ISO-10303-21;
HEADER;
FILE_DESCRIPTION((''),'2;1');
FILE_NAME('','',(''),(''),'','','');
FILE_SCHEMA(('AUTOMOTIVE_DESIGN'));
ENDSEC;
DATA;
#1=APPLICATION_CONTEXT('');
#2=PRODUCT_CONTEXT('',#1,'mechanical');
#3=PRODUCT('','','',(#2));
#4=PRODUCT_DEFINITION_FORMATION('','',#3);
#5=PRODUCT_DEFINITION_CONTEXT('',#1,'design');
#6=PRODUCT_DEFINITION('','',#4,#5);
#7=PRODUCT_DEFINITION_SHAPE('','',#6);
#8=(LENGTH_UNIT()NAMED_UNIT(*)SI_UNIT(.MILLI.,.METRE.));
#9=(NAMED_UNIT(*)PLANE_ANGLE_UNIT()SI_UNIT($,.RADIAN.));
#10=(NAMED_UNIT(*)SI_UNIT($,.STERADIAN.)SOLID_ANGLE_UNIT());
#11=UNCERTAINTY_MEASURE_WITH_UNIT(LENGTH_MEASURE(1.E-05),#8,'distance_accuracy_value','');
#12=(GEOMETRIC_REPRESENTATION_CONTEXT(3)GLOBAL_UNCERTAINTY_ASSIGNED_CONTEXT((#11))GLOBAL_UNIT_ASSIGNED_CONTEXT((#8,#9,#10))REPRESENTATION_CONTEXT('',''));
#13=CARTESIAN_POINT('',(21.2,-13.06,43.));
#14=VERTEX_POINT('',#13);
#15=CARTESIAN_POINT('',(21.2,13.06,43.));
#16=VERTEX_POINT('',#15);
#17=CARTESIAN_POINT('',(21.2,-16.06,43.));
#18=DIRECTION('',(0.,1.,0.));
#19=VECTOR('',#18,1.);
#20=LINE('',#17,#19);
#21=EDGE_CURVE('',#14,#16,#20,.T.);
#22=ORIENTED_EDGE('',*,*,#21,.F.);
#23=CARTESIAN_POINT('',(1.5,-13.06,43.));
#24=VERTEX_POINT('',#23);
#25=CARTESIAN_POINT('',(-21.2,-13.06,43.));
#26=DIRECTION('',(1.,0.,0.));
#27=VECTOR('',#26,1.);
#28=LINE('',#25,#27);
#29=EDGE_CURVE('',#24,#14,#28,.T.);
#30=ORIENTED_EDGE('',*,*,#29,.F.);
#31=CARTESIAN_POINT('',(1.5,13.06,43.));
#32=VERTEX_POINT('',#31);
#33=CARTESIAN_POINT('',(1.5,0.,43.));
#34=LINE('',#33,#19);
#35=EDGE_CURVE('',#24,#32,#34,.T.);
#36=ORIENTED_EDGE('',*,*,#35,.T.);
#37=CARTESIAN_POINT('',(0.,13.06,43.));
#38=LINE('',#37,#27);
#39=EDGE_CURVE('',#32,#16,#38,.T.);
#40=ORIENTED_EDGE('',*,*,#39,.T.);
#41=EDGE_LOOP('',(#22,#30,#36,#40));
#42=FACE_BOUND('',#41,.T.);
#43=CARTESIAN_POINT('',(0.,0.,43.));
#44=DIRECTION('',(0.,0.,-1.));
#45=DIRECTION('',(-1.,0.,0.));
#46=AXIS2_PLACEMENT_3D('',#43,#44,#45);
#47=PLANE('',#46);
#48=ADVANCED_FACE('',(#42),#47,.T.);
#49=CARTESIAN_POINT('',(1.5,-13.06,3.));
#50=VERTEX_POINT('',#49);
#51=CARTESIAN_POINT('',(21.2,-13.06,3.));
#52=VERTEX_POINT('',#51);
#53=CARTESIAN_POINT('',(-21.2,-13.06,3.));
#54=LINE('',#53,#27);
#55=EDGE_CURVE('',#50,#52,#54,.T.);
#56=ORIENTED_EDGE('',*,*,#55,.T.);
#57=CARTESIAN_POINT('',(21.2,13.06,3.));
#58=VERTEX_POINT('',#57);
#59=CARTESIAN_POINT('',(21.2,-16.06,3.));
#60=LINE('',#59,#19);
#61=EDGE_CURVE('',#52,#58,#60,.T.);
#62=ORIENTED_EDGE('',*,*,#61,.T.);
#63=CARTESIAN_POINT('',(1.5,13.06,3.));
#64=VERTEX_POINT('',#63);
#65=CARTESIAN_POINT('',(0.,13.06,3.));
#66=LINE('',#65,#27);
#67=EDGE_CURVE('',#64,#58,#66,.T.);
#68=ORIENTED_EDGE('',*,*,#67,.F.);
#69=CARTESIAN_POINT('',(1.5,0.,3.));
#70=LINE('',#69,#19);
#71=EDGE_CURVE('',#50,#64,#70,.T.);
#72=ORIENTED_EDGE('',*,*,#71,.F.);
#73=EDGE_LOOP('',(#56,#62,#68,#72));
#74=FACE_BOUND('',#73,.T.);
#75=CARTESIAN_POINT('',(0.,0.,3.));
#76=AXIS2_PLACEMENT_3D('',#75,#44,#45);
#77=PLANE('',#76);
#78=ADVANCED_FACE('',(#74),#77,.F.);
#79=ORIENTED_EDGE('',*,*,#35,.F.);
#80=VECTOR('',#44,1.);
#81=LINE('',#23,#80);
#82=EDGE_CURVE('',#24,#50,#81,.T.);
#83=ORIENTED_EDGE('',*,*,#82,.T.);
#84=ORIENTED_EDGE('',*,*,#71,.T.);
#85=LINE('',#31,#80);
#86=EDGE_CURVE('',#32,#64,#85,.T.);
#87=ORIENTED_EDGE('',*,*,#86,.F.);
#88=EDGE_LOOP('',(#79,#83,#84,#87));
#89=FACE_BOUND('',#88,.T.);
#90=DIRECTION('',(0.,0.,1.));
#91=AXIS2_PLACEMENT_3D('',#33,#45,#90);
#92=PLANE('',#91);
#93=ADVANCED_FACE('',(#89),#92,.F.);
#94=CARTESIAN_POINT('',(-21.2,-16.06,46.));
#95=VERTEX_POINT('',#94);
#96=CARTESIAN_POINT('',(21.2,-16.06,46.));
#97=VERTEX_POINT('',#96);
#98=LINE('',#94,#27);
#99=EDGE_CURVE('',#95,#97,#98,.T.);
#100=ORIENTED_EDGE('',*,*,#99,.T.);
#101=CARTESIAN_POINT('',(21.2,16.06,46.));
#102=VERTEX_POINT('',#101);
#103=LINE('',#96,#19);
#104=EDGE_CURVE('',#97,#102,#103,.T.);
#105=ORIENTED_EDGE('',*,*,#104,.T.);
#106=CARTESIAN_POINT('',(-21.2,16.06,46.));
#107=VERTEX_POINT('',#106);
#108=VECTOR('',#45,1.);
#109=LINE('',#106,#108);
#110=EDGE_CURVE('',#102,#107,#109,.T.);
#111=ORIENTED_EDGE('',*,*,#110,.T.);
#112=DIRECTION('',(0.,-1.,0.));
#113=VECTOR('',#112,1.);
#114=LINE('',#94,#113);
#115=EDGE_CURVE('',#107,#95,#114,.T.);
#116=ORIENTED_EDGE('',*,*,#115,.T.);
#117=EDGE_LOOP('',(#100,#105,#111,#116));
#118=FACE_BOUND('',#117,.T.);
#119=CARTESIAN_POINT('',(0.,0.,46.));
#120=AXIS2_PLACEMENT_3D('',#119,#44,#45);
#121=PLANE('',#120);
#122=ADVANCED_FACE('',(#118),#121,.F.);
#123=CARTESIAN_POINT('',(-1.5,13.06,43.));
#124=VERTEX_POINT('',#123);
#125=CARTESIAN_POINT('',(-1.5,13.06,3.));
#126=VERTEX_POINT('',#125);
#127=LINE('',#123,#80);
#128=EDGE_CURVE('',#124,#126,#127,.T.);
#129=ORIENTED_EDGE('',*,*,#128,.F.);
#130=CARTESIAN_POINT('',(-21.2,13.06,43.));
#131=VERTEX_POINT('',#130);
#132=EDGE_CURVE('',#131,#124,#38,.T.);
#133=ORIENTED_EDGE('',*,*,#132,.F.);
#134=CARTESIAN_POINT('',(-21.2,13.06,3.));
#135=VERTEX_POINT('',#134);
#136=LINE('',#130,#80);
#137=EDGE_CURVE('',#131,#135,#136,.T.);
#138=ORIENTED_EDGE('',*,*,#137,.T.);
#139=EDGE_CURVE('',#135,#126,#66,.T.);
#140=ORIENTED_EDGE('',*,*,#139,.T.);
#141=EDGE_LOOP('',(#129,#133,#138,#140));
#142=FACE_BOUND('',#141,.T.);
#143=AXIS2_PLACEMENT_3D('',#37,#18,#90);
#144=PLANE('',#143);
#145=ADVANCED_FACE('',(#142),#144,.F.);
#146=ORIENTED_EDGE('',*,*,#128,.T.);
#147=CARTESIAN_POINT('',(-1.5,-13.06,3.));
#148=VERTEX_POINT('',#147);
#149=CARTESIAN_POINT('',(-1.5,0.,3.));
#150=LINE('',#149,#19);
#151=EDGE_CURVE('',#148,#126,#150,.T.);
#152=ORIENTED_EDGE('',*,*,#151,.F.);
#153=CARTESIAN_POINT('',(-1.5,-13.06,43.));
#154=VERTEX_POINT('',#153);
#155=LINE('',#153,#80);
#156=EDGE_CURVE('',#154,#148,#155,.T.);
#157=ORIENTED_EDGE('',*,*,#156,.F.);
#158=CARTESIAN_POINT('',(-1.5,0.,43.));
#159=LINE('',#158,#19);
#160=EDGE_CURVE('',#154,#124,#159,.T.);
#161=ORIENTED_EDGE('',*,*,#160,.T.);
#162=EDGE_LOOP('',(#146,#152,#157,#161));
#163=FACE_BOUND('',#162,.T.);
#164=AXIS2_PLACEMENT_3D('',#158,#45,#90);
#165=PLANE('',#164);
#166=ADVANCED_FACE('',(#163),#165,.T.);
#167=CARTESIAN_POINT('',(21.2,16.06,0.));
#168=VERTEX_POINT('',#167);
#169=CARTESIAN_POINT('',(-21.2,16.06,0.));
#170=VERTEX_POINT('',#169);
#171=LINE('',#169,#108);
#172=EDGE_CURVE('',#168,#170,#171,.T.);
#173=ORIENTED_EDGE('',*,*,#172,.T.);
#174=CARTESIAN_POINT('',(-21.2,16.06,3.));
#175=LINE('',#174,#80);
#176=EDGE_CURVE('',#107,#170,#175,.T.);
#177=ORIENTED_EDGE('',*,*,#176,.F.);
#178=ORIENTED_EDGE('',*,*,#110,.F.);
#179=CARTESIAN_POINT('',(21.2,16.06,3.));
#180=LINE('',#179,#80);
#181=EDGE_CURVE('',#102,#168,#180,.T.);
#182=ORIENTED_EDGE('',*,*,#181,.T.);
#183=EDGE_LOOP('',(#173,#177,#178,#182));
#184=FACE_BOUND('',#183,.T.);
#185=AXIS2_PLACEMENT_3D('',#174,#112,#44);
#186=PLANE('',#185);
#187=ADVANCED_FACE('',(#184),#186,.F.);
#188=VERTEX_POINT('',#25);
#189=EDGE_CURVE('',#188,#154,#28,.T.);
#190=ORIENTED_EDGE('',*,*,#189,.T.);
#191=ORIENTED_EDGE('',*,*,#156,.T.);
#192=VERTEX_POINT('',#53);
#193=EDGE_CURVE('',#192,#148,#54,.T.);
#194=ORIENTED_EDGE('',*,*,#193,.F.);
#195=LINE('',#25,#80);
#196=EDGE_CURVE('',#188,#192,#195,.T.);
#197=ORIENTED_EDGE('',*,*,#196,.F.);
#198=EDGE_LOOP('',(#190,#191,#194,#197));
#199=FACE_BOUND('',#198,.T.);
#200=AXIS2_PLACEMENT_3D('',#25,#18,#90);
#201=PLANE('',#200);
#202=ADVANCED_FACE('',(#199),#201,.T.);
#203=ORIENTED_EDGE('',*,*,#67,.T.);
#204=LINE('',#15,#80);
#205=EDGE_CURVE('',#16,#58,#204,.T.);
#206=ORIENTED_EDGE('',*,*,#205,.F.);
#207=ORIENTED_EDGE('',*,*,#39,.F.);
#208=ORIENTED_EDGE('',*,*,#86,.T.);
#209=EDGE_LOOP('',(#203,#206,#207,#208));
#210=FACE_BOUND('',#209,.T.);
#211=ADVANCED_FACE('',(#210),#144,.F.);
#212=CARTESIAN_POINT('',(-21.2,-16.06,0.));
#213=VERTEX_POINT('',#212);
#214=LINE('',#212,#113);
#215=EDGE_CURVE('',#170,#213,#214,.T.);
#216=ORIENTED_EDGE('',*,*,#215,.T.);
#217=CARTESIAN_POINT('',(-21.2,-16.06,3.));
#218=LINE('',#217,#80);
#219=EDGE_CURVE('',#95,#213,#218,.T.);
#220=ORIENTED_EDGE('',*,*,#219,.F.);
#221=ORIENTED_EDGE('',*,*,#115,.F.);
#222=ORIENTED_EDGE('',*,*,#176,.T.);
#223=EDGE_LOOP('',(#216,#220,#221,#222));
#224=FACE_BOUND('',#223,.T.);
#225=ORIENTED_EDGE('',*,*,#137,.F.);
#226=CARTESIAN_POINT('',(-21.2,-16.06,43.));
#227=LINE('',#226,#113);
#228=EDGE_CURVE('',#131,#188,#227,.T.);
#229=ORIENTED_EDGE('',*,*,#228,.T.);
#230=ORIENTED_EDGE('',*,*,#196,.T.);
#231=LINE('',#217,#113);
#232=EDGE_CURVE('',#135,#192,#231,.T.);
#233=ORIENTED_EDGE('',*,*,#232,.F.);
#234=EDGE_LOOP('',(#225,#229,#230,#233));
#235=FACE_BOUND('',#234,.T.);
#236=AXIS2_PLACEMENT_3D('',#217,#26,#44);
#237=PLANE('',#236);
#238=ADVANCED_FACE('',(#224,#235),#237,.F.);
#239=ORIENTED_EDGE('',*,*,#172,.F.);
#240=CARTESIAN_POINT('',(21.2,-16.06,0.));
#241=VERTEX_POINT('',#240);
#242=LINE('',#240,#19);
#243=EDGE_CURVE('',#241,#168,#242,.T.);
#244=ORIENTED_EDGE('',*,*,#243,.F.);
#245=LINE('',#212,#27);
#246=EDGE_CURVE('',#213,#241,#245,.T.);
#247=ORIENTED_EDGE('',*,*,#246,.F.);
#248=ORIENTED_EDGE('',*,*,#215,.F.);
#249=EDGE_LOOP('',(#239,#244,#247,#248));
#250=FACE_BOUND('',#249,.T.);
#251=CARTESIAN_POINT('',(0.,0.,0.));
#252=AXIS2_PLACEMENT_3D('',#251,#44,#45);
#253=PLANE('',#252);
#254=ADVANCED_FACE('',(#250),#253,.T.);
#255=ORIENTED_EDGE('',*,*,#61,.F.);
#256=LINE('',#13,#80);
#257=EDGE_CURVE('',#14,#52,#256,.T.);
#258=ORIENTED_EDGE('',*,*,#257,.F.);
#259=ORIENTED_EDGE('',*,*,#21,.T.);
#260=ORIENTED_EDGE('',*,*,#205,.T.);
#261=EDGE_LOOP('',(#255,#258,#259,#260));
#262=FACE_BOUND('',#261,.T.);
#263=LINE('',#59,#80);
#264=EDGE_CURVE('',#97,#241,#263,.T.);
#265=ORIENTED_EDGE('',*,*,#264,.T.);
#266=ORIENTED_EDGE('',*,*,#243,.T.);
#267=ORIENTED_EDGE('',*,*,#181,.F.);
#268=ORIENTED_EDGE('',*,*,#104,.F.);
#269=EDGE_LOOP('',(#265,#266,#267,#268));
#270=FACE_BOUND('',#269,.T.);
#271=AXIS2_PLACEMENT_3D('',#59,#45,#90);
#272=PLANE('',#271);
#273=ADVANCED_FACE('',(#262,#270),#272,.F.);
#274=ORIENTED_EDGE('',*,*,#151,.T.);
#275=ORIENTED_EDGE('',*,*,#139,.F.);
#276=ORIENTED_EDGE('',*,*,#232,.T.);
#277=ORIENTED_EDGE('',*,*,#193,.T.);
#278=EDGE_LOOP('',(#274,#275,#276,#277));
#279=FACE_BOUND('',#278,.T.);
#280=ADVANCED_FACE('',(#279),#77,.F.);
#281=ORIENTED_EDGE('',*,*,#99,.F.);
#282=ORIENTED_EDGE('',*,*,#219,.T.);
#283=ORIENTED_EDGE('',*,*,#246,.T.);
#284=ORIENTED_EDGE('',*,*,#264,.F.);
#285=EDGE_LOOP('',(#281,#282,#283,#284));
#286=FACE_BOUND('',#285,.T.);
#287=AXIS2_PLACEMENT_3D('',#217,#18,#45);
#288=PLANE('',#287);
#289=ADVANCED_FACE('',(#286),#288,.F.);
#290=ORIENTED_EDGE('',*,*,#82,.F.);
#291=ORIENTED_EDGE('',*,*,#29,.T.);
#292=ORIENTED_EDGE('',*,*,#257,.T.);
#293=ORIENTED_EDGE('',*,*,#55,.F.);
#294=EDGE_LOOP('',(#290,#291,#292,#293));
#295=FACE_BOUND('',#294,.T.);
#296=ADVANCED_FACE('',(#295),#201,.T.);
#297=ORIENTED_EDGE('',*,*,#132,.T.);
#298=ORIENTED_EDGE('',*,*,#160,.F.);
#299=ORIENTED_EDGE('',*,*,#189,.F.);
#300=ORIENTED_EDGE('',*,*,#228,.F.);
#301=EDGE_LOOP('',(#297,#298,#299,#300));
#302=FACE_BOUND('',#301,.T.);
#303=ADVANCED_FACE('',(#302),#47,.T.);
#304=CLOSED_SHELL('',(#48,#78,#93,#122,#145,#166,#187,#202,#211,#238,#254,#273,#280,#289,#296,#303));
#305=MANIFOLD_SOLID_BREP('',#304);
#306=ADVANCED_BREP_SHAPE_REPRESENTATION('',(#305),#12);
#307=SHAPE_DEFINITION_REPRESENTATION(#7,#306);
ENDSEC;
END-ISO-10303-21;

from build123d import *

# Parameters (mm, degrees)
SKETCH1_W           = 42.4
SKETCH1_H           = 32.12
BOSS_EXTRUDE1_DEPTH = 3
BOSS_EXTRUDE2_DEPTH = 40
SKETCH3_W           = 42.4
SKETCH3_H           = 32.12
BOSS_EXTRUDE3_DEPTH = 3


with BuildPart() as part:
    # Sketch1 → Boss-Extrude1 (new body)
    with BuildSketch(Plane.XY):
        Rectangle(SKETCH1_W, SKETCH1_H)
    extrude(amount=BOSS_EXTRUDE1_DEPTH)

    # Sketch2 → Boss-Extrude2 (add)
    with BuildSketch(Plane.XY.offset(3)):
        Polygon((-21.2, 16.06), (-21.2, 13.06), (-1.5, 13.06), (-1.5, -13.06), (-21.2, -13.06), (-21.2, -16.06), (21.2, -16.06), (21.2, -13.06), (1.5, -13.06), (1.5, 13.06), (21.2, 13.06), (21.2, 16.06), align=None)
    extrude(amount=BOSS_EXTRUDE2_DEPTH)

    # Sketch3 → Boss-Extrude3 (add)
    with BuildSketch(Plane.XY.offset(43)):
        Rectangle(SKETCH3_W, SKETCH3_H)
    extrude(amount=BOSS_EXTRUDE3_DEPTH)


solid = part.part
